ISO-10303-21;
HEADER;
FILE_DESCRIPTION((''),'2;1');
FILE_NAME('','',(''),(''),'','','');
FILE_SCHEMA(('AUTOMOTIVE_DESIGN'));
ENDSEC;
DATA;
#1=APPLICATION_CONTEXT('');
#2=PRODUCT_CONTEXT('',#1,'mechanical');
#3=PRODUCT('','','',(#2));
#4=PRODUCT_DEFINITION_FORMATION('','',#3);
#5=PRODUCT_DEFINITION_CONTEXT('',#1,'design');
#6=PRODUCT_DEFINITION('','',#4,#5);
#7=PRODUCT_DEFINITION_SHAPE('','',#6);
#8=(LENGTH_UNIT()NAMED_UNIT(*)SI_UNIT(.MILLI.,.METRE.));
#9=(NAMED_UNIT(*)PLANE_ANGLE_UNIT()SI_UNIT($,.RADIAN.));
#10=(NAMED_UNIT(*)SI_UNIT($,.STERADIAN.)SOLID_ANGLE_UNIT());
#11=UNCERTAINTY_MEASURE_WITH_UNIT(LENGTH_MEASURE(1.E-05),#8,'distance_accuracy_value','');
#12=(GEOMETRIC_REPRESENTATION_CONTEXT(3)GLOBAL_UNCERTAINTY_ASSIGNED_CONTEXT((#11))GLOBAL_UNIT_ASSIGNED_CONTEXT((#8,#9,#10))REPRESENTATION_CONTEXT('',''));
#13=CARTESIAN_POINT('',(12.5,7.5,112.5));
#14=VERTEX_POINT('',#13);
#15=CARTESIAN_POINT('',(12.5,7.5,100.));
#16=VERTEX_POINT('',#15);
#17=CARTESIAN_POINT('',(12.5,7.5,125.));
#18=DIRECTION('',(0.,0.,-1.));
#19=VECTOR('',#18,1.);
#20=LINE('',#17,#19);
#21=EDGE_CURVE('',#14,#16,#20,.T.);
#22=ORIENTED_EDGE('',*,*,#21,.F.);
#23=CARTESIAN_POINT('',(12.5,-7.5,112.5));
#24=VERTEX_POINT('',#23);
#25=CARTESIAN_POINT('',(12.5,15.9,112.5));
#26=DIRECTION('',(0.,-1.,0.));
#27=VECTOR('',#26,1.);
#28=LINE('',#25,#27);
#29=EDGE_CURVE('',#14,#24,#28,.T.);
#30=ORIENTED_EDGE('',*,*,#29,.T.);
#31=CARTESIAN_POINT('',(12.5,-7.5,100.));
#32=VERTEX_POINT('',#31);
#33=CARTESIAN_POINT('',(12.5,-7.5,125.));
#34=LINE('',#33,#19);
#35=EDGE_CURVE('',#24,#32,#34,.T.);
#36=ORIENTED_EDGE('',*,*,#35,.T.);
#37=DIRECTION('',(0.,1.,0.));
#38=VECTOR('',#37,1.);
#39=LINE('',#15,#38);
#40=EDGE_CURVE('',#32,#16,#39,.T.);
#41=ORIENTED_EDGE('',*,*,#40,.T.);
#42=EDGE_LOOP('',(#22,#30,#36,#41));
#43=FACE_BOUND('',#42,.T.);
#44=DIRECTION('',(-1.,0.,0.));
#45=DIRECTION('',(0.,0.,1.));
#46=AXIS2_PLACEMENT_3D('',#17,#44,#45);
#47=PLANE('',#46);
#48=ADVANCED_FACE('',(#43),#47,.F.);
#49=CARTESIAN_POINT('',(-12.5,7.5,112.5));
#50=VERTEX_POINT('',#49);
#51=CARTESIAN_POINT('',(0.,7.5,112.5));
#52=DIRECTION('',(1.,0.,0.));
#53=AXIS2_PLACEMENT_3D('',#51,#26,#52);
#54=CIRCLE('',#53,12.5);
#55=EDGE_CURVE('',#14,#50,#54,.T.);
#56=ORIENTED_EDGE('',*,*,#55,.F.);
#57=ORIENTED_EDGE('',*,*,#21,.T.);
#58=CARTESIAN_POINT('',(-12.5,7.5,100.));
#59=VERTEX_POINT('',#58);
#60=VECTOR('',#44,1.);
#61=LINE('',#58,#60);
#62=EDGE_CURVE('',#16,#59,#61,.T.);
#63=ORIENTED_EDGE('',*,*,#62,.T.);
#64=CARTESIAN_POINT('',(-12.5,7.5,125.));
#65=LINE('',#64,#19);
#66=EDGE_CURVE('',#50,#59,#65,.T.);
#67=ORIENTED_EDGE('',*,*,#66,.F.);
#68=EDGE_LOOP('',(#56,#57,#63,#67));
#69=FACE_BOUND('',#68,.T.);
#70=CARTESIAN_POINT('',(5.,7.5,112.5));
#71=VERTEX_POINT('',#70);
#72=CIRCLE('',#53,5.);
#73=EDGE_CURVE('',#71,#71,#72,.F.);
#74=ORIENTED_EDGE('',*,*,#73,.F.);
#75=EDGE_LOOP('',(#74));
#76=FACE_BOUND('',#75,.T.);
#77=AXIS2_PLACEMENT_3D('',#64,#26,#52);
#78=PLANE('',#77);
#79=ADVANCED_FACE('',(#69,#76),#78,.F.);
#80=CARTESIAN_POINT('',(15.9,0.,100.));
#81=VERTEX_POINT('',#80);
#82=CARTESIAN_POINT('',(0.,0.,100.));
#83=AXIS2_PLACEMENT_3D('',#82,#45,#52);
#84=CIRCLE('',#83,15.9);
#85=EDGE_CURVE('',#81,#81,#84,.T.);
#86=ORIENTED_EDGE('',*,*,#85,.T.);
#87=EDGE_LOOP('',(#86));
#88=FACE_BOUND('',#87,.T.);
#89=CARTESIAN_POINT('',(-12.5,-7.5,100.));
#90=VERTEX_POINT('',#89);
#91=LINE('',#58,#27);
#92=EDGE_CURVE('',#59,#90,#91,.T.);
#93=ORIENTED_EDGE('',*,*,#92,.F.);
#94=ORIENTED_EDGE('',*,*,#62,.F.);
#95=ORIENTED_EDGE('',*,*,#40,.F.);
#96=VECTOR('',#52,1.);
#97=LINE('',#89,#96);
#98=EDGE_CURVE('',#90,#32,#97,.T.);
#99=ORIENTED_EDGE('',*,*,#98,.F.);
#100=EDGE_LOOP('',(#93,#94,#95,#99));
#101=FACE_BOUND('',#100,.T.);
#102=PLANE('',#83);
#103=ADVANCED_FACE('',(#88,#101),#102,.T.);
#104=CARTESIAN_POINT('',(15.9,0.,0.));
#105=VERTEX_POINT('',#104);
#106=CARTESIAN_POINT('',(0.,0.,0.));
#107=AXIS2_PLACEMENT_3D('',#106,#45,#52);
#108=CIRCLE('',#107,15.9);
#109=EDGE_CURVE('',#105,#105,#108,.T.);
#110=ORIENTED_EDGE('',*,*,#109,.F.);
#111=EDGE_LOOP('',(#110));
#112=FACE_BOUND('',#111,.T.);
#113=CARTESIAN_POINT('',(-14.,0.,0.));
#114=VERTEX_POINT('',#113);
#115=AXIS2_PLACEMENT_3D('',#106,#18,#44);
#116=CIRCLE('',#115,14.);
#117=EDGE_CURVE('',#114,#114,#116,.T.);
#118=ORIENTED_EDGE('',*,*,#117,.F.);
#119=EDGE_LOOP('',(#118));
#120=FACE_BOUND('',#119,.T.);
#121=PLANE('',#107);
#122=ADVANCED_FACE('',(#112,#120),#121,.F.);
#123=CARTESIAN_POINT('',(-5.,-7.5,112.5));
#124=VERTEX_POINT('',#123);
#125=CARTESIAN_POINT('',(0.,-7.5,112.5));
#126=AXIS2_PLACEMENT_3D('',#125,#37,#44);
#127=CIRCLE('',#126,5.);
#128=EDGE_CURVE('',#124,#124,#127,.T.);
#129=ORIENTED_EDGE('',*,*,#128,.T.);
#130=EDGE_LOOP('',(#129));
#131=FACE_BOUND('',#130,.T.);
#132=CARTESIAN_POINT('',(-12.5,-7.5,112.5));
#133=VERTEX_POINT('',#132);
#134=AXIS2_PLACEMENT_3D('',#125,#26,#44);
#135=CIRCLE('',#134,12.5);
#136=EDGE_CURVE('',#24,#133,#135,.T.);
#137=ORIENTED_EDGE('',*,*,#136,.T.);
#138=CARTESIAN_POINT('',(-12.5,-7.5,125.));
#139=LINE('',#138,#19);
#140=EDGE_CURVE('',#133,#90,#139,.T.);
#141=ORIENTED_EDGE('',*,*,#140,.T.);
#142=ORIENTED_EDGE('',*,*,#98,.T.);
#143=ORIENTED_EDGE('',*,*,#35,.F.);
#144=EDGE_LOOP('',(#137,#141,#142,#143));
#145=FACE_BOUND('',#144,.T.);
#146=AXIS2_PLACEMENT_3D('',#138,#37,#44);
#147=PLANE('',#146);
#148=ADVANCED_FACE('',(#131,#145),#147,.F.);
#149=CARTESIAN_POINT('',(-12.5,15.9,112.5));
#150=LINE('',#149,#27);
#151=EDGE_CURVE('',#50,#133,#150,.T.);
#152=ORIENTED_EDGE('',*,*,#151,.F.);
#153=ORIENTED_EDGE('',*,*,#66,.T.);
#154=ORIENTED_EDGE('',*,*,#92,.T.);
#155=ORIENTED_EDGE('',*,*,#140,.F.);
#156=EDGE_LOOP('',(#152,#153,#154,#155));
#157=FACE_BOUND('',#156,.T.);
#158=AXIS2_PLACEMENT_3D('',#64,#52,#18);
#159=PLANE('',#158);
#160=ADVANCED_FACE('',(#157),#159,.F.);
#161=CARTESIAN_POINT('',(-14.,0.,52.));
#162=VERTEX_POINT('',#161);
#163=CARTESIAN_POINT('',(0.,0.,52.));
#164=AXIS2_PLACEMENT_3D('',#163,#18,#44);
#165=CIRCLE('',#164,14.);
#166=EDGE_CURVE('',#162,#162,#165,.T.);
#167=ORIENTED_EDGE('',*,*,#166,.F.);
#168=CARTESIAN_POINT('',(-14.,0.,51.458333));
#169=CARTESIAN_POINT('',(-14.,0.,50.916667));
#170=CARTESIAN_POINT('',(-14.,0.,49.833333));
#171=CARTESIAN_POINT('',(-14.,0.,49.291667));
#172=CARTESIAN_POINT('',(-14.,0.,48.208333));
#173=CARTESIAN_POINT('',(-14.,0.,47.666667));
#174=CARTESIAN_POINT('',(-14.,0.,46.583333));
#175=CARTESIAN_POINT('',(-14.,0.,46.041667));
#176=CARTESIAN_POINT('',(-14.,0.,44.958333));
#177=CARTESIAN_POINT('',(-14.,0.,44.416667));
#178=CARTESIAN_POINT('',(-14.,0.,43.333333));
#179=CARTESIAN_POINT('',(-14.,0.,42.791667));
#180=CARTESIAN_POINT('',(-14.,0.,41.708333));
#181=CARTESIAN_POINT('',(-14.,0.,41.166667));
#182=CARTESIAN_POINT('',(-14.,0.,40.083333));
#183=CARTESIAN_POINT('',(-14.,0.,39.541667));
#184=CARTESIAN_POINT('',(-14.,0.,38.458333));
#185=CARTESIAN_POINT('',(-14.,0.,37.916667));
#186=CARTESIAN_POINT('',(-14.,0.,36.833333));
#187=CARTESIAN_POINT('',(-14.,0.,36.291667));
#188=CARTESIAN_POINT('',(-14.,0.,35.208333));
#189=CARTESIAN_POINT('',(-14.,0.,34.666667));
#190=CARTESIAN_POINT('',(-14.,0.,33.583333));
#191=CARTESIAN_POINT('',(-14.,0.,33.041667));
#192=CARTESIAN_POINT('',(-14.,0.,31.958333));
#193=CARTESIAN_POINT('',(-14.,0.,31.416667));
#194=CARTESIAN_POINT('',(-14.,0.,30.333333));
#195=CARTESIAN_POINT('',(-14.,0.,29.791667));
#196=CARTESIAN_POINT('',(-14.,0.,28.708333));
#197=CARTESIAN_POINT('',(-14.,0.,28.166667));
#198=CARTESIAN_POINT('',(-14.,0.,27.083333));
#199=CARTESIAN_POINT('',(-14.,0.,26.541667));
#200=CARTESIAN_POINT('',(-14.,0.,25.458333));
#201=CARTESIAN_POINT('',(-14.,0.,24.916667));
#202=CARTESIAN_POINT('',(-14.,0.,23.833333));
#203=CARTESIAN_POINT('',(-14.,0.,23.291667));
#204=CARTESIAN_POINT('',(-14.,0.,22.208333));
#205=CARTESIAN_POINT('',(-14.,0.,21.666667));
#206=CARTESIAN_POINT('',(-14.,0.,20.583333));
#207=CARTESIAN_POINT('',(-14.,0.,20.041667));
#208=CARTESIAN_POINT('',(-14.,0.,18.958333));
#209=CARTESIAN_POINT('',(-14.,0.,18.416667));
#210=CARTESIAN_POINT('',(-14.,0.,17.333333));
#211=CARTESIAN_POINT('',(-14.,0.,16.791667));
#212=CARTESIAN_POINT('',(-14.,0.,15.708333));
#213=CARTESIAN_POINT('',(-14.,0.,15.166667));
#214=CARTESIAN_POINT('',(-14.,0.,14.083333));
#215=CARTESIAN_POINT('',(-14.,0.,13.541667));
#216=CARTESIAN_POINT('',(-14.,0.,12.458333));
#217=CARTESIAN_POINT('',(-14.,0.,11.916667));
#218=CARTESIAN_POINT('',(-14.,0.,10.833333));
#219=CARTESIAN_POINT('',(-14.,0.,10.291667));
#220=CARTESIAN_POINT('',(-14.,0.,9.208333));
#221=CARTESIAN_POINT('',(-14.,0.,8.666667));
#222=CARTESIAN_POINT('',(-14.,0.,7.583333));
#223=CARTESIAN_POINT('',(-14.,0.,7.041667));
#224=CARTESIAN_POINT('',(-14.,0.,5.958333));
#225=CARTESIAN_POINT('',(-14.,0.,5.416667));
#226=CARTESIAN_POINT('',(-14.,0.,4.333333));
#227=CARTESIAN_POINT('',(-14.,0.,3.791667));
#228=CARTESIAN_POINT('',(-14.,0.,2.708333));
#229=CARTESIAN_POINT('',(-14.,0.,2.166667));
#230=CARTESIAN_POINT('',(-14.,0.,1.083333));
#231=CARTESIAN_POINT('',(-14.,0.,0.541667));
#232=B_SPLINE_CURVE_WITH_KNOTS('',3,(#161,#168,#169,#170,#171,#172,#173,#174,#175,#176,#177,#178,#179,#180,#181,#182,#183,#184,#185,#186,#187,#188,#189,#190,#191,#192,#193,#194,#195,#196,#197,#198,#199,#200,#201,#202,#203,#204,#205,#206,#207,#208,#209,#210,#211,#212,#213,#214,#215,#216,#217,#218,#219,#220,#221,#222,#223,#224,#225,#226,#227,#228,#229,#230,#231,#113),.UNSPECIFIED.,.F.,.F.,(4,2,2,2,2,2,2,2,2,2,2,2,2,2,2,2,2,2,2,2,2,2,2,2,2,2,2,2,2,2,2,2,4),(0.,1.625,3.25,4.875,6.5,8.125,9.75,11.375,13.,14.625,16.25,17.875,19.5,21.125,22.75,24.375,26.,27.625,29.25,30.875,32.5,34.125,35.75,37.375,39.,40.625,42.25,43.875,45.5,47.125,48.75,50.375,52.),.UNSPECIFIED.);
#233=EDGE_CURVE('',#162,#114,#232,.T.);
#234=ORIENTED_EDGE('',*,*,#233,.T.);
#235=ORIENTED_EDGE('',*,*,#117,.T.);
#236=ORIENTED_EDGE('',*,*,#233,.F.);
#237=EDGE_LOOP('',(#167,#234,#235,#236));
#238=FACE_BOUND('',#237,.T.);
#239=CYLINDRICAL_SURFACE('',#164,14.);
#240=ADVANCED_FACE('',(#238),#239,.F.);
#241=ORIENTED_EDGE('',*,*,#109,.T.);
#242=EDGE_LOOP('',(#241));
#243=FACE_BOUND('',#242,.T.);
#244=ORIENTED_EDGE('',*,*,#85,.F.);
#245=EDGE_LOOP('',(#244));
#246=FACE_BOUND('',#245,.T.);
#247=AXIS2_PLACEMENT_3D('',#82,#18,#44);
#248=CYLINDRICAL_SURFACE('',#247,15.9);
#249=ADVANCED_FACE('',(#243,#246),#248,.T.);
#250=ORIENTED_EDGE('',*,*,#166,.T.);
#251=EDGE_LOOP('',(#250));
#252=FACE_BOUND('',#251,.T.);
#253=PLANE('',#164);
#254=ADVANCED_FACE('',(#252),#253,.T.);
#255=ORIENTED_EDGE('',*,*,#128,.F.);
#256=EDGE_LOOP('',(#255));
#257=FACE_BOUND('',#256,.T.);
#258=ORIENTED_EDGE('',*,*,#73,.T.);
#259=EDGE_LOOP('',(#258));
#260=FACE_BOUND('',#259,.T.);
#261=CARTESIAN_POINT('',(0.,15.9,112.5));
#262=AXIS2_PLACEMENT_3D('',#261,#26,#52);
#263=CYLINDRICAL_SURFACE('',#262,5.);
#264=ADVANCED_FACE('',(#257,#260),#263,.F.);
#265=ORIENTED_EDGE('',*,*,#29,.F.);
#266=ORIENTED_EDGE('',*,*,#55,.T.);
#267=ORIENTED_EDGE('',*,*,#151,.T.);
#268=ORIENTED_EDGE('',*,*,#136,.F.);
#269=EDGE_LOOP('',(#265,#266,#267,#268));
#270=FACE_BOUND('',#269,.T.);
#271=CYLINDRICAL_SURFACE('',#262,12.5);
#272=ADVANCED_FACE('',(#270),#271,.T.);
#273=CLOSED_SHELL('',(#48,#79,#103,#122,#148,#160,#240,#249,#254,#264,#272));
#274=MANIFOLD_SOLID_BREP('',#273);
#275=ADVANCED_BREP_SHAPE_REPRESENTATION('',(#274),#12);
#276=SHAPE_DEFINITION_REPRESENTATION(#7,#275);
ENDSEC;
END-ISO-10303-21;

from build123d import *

# Parameters (mm, degrees)
SKETCH_1_R          = 15.9
EXTRUDE_1_DEPTH     = 100
SKETCH_2_W          = 25
SKETCH_2_H          = 15
EXTRUDE_2_DEPTH     = 25
SKETCH_3_R          = 5
CUT_EXTRUDE_1_DEPTH = 129.161499679
SKETCH_4_R          = 14
CUT_EXTRUDE_2_DEPTH = 52


with BuildPart() as part:
    # Эскиз1 → Бобышка-Вытянуть1 (new body)
    with BuildSketch(Plane.XY):
        Circle(SKETCH_1_R)
    extrude(amount=EXTRUDE_1_DEPTH)

    # Эскиз2 → Бобышка-Вытянуть2 (add)
    with BuildSketch(Plane.XY.offset(100)):
        Rectangle(SKETCH_2_W, SKETCH_2_H)
    extrude(amount=EXTRUDE_2_DEPTH)

    # Эскиз3 → Вырез-Вытянуть1 (cut, through all)
    with BuildSketch(Plane(origin=(0, -7.5, 0), x_dir=(1, 0, 0), z_dir=(0, 1, 0))):
        with Locations((0, -112.5)):
            Circle(SKETCH_3_R)
        with BuildLine():
            Line((-12.5, -112.5), (-20.699880193, -112.5))
            Line((-20.699880193, -112.5), (-20.699880193, -150.973701631))
            Line((-20.699880193, -150.973701631), (17.84150118, -150.973701631))
            Line((17.84150118, -150.973701631), (17.84150118, -132.5))
            Line((17.84150118, -132.5), (12.5, -112.5))
            ThreePointArc((12.5, -112.5), (0, -125), (-12.5, -112.5))
        make_face()
    extrude(amount=CUT_EXTRUDE_1_DEPTH, mode=Mode.SUBTRACT)

    # Эскиз4 → Вырез-Вытянуть2 (cut)
    with BuildSketch(Plane(origin=(0, 0, 0), x_dir=(-1, 0, 0), z_dir=(0, 0, -1))):
        Circle(SKETCH_4_R)
    extrude(amount=-CUT_EXTRUDE_2_DEPTH, mode=Mode.SUBTRACT)


solid = part.part
